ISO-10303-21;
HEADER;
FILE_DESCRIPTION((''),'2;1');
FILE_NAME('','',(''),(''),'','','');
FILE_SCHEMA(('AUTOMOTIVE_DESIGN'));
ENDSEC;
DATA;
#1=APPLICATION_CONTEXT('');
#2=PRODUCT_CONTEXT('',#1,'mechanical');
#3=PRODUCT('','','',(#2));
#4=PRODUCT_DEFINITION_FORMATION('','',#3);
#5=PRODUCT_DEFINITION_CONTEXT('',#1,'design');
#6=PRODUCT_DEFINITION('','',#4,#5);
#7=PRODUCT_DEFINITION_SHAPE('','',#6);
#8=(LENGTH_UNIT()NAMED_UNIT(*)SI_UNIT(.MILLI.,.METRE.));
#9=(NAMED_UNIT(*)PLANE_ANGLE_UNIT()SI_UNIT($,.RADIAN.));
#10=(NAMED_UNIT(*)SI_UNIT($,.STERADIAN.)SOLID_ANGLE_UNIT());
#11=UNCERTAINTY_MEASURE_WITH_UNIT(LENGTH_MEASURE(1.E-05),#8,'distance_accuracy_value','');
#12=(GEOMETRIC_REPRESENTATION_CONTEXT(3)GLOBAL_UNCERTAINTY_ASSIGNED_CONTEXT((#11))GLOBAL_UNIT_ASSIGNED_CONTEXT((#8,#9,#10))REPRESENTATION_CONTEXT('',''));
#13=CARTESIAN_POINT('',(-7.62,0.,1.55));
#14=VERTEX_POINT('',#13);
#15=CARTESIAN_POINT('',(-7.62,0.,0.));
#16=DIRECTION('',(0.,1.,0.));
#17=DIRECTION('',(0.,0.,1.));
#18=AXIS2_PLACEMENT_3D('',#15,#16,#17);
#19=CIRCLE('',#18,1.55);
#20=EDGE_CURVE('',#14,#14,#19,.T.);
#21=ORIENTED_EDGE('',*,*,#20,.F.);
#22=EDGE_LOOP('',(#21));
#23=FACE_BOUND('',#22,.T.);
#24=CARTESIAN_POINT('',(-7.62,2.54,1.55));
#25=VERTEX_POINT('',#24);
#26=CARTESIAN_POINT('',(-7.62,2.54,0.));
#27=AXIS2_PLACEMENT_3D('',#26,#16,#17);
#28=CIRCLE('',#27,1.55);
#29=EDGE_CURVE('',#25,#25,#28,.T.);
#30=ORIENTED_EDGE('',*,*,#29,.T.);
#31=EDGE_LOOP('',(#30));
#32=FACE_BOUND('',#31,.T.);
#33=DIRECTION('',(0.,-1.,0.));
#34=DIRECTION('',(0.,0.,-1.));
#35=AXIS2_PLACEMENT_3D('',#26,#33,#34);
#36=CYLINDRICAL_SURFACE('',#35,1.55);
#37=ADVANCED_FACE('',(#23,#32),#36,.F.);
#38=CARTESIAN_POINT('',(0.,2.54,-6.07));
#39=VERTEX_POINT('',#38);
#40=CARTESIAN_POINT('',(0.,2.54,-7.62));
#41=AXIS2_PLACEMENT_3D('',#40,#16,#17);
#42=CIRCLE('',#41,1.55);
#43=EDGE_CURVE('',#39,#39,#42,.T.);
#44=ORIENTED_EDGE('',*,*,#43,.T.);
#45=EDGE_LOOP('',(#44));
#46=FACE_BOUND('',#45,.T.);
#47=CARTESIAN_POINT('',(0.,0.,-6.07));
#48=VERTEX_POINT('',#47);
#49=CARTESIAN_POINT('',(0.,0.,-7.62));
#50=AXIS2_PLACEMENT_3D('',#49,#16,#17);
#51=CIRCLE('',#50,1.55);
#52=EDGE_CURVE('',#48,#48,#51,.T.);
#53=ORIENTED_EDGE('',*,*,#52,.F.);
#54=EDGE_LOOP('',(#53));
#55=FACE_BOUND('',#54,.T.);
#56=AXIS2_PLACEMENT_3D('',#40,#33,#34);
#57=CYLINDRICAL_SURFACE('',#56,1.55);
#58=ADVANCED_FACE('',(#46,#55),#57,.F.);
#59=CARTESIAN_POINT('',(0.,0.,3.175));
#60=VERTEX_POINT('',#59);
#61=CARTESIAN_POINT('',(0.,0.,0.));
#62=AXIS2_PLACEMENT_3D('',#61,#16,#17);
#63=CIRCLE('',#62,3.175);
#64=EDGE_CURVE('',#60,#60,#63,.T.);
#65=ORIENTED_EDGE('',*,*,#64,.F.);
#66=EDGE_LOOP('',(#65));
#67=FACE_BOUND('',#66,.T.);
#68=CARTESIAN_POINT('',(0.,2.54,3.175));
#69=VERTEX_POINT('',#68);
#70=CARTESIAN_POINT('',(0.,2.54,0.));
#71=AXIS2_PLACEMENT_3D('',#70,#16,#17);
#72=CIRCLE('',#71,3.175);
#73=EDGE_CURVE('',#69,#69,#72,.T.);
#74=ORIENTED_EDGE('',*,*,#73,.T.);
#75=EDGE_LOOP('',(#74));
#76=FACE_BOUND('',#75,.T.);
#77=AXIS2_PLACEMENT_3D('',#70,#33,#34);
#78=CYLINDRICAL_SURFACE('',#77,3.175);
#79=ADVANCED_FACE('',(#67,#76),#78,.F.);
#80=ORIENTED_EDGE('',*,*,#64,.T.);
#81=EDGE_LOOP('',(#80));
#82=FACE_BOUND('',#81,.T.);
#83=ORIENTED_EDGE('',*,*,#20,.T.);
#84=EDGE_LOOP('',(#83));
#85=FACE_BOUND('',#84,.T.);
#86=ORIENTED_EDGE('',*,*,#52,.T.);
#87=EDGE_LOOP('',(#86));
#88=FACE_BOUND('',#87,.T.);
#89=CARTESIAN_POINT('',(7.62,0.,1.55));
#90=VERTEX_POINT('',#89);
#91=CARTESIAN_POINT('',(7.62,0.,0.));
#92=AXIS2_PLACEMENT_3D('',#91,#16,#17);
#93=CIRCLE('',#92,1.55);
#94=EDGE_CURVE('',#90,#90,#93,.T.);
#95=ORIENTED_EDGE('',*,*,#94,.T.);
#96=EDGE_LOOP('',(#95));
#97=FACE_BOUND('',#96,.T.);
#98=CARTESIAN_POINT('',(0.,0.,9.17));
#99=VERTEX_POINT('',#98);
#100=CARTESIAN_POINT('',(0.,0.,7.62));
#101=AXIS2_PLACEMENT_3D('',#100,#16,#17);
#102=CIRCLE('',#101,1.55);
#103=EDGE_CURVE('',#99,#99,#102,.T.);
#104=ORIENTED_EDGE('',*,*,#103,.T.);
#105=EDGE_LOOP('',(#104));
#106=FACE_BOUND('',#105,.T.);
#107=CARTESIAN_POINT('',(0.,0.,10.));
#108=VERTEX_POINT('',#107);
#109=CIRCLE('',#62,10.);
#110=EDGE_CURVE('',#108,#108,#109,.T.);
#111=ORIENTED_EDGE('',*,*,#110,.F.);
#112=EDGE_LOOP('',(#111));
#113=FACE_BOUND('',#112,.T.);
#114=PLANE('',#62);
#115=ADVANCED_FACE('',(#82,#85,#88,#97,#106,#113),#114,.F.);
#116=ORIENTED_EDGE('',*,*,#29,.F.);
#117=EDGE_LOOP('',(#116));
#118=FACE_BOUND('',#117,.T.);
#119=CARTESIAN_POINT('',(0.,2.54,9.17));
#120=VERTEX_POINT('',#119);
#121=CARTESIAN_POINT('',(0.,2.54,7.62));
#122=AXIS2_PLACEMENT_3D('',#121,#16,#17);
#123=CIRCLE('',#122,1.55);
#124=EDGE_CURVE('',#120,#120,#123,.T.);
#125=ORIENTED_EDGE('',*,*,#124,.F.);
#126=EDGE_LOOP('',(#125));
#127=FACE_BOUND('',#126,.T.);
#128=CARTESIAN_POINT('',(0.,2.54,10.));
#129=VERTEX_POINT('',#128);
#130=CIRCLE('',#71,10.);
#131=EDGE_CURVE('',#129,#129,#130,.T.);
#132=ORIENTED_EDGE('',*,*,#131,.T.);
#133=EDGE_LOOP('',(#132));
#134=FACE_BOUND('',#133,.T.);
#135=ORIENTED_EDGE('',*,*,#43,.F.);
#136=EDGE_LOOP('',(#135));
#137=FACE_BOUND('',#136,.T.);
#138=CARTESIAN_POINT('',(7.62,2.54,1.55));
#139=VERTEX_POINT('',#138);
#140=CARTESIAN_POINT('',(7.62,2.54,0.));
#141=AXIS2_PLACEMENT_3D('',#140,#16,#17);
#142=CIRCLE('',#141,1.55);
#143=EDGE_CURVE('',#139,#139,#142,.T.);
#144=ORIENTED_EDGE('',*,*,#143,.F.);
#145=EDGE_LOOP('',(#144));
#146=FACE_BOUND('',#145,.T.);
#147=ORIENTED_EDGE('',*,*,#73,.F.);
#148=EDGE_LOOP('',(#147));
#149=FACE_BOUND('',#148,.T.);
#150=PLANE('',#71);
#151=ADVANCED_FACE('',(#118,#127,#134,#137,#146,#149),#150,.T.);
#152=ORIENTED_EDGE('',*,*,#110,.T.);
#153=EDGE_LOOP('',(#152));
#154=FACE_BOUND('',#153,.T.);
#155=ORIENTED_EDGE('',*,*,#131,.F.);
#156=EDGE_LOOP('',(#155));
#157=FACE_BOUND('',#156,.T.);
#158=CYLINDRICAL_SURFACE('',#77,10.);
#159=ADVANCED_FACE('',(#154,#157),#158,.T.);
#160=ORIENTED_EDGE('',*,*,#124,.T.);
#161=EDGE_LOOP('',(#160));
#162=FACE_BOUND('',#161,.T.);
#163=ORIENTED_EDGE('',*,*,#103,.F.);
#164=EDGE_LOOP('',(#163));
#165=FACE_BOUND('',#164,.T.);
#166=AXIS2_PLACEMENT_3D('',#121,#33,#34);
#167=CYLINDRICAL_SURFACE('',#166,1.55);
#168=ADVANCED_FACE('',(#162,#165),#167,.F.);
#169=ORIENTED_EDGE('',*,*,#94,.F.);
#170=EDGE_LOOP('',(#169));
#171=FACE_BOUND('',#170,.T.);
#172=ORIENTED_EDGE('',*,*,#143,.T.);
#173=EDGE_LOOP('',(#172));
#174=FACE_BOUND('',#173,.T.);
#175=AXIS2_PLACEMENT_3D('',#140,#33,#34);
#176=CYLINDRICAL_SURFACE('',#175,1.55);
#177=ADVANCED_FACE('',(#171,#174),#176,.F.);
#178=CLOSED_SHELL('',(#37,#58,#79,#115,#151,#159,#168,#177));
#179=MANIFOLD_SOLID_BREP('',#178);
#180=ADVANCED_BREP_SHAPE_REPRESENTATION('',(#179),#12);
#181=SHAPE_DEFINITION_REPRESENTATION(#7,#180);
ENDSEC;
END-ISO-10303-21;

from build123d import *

# Parameters (mm, degrees)
SKETCH1_R           = 10
SKETCH1_R_2         = 3.175
SKETCH1_R_3         = 1.55
BOSS_EXTRUDE1_DEPTH = 2.54


with BuildPart() as part:
    # Sketch1 → Boss-Extrude1 (new body)
    with BuildSketch(Plane(origin=(0, 0, 0), x_dir=(1, 0, 0), z_dir=(0, 1, 0))):
        with Locations(Location((0, 0, 0), (0, 0, 270))):
            Circle(SKETCH1_R)
        with Locations(Location((0, 0, 0), (0, 0, 270))):
            Circle(SKETCH1_R_2, mode=Mode.SUBTRACT)
        with Locations(Location((0, 7.62, 0), (0, 0, 270))):
            Circle(SKETCH1_R_3, mode=Mode.SUBTRACT)
        with Locations(Location((7.62, 0, 0), (0, 0, 270))):
            Circle(SKETCH1_R_3, mode=Mode.SUBTRACT)
        with Locations(Location((0, -7.62, 0), (0, 0, 270))):
            Circle(SKETCH1_R_3, mode=Mode.SUBTRACT)
        with Locations(Location((-7.62, 0, 0), (0, 0, 270))):
            Circle(SKETCH1_R_3, mode=Mode.SUBTRACT)
    extrude(amount=BOSS_EXTRUDE1_DEPTH)


solid = part.part
